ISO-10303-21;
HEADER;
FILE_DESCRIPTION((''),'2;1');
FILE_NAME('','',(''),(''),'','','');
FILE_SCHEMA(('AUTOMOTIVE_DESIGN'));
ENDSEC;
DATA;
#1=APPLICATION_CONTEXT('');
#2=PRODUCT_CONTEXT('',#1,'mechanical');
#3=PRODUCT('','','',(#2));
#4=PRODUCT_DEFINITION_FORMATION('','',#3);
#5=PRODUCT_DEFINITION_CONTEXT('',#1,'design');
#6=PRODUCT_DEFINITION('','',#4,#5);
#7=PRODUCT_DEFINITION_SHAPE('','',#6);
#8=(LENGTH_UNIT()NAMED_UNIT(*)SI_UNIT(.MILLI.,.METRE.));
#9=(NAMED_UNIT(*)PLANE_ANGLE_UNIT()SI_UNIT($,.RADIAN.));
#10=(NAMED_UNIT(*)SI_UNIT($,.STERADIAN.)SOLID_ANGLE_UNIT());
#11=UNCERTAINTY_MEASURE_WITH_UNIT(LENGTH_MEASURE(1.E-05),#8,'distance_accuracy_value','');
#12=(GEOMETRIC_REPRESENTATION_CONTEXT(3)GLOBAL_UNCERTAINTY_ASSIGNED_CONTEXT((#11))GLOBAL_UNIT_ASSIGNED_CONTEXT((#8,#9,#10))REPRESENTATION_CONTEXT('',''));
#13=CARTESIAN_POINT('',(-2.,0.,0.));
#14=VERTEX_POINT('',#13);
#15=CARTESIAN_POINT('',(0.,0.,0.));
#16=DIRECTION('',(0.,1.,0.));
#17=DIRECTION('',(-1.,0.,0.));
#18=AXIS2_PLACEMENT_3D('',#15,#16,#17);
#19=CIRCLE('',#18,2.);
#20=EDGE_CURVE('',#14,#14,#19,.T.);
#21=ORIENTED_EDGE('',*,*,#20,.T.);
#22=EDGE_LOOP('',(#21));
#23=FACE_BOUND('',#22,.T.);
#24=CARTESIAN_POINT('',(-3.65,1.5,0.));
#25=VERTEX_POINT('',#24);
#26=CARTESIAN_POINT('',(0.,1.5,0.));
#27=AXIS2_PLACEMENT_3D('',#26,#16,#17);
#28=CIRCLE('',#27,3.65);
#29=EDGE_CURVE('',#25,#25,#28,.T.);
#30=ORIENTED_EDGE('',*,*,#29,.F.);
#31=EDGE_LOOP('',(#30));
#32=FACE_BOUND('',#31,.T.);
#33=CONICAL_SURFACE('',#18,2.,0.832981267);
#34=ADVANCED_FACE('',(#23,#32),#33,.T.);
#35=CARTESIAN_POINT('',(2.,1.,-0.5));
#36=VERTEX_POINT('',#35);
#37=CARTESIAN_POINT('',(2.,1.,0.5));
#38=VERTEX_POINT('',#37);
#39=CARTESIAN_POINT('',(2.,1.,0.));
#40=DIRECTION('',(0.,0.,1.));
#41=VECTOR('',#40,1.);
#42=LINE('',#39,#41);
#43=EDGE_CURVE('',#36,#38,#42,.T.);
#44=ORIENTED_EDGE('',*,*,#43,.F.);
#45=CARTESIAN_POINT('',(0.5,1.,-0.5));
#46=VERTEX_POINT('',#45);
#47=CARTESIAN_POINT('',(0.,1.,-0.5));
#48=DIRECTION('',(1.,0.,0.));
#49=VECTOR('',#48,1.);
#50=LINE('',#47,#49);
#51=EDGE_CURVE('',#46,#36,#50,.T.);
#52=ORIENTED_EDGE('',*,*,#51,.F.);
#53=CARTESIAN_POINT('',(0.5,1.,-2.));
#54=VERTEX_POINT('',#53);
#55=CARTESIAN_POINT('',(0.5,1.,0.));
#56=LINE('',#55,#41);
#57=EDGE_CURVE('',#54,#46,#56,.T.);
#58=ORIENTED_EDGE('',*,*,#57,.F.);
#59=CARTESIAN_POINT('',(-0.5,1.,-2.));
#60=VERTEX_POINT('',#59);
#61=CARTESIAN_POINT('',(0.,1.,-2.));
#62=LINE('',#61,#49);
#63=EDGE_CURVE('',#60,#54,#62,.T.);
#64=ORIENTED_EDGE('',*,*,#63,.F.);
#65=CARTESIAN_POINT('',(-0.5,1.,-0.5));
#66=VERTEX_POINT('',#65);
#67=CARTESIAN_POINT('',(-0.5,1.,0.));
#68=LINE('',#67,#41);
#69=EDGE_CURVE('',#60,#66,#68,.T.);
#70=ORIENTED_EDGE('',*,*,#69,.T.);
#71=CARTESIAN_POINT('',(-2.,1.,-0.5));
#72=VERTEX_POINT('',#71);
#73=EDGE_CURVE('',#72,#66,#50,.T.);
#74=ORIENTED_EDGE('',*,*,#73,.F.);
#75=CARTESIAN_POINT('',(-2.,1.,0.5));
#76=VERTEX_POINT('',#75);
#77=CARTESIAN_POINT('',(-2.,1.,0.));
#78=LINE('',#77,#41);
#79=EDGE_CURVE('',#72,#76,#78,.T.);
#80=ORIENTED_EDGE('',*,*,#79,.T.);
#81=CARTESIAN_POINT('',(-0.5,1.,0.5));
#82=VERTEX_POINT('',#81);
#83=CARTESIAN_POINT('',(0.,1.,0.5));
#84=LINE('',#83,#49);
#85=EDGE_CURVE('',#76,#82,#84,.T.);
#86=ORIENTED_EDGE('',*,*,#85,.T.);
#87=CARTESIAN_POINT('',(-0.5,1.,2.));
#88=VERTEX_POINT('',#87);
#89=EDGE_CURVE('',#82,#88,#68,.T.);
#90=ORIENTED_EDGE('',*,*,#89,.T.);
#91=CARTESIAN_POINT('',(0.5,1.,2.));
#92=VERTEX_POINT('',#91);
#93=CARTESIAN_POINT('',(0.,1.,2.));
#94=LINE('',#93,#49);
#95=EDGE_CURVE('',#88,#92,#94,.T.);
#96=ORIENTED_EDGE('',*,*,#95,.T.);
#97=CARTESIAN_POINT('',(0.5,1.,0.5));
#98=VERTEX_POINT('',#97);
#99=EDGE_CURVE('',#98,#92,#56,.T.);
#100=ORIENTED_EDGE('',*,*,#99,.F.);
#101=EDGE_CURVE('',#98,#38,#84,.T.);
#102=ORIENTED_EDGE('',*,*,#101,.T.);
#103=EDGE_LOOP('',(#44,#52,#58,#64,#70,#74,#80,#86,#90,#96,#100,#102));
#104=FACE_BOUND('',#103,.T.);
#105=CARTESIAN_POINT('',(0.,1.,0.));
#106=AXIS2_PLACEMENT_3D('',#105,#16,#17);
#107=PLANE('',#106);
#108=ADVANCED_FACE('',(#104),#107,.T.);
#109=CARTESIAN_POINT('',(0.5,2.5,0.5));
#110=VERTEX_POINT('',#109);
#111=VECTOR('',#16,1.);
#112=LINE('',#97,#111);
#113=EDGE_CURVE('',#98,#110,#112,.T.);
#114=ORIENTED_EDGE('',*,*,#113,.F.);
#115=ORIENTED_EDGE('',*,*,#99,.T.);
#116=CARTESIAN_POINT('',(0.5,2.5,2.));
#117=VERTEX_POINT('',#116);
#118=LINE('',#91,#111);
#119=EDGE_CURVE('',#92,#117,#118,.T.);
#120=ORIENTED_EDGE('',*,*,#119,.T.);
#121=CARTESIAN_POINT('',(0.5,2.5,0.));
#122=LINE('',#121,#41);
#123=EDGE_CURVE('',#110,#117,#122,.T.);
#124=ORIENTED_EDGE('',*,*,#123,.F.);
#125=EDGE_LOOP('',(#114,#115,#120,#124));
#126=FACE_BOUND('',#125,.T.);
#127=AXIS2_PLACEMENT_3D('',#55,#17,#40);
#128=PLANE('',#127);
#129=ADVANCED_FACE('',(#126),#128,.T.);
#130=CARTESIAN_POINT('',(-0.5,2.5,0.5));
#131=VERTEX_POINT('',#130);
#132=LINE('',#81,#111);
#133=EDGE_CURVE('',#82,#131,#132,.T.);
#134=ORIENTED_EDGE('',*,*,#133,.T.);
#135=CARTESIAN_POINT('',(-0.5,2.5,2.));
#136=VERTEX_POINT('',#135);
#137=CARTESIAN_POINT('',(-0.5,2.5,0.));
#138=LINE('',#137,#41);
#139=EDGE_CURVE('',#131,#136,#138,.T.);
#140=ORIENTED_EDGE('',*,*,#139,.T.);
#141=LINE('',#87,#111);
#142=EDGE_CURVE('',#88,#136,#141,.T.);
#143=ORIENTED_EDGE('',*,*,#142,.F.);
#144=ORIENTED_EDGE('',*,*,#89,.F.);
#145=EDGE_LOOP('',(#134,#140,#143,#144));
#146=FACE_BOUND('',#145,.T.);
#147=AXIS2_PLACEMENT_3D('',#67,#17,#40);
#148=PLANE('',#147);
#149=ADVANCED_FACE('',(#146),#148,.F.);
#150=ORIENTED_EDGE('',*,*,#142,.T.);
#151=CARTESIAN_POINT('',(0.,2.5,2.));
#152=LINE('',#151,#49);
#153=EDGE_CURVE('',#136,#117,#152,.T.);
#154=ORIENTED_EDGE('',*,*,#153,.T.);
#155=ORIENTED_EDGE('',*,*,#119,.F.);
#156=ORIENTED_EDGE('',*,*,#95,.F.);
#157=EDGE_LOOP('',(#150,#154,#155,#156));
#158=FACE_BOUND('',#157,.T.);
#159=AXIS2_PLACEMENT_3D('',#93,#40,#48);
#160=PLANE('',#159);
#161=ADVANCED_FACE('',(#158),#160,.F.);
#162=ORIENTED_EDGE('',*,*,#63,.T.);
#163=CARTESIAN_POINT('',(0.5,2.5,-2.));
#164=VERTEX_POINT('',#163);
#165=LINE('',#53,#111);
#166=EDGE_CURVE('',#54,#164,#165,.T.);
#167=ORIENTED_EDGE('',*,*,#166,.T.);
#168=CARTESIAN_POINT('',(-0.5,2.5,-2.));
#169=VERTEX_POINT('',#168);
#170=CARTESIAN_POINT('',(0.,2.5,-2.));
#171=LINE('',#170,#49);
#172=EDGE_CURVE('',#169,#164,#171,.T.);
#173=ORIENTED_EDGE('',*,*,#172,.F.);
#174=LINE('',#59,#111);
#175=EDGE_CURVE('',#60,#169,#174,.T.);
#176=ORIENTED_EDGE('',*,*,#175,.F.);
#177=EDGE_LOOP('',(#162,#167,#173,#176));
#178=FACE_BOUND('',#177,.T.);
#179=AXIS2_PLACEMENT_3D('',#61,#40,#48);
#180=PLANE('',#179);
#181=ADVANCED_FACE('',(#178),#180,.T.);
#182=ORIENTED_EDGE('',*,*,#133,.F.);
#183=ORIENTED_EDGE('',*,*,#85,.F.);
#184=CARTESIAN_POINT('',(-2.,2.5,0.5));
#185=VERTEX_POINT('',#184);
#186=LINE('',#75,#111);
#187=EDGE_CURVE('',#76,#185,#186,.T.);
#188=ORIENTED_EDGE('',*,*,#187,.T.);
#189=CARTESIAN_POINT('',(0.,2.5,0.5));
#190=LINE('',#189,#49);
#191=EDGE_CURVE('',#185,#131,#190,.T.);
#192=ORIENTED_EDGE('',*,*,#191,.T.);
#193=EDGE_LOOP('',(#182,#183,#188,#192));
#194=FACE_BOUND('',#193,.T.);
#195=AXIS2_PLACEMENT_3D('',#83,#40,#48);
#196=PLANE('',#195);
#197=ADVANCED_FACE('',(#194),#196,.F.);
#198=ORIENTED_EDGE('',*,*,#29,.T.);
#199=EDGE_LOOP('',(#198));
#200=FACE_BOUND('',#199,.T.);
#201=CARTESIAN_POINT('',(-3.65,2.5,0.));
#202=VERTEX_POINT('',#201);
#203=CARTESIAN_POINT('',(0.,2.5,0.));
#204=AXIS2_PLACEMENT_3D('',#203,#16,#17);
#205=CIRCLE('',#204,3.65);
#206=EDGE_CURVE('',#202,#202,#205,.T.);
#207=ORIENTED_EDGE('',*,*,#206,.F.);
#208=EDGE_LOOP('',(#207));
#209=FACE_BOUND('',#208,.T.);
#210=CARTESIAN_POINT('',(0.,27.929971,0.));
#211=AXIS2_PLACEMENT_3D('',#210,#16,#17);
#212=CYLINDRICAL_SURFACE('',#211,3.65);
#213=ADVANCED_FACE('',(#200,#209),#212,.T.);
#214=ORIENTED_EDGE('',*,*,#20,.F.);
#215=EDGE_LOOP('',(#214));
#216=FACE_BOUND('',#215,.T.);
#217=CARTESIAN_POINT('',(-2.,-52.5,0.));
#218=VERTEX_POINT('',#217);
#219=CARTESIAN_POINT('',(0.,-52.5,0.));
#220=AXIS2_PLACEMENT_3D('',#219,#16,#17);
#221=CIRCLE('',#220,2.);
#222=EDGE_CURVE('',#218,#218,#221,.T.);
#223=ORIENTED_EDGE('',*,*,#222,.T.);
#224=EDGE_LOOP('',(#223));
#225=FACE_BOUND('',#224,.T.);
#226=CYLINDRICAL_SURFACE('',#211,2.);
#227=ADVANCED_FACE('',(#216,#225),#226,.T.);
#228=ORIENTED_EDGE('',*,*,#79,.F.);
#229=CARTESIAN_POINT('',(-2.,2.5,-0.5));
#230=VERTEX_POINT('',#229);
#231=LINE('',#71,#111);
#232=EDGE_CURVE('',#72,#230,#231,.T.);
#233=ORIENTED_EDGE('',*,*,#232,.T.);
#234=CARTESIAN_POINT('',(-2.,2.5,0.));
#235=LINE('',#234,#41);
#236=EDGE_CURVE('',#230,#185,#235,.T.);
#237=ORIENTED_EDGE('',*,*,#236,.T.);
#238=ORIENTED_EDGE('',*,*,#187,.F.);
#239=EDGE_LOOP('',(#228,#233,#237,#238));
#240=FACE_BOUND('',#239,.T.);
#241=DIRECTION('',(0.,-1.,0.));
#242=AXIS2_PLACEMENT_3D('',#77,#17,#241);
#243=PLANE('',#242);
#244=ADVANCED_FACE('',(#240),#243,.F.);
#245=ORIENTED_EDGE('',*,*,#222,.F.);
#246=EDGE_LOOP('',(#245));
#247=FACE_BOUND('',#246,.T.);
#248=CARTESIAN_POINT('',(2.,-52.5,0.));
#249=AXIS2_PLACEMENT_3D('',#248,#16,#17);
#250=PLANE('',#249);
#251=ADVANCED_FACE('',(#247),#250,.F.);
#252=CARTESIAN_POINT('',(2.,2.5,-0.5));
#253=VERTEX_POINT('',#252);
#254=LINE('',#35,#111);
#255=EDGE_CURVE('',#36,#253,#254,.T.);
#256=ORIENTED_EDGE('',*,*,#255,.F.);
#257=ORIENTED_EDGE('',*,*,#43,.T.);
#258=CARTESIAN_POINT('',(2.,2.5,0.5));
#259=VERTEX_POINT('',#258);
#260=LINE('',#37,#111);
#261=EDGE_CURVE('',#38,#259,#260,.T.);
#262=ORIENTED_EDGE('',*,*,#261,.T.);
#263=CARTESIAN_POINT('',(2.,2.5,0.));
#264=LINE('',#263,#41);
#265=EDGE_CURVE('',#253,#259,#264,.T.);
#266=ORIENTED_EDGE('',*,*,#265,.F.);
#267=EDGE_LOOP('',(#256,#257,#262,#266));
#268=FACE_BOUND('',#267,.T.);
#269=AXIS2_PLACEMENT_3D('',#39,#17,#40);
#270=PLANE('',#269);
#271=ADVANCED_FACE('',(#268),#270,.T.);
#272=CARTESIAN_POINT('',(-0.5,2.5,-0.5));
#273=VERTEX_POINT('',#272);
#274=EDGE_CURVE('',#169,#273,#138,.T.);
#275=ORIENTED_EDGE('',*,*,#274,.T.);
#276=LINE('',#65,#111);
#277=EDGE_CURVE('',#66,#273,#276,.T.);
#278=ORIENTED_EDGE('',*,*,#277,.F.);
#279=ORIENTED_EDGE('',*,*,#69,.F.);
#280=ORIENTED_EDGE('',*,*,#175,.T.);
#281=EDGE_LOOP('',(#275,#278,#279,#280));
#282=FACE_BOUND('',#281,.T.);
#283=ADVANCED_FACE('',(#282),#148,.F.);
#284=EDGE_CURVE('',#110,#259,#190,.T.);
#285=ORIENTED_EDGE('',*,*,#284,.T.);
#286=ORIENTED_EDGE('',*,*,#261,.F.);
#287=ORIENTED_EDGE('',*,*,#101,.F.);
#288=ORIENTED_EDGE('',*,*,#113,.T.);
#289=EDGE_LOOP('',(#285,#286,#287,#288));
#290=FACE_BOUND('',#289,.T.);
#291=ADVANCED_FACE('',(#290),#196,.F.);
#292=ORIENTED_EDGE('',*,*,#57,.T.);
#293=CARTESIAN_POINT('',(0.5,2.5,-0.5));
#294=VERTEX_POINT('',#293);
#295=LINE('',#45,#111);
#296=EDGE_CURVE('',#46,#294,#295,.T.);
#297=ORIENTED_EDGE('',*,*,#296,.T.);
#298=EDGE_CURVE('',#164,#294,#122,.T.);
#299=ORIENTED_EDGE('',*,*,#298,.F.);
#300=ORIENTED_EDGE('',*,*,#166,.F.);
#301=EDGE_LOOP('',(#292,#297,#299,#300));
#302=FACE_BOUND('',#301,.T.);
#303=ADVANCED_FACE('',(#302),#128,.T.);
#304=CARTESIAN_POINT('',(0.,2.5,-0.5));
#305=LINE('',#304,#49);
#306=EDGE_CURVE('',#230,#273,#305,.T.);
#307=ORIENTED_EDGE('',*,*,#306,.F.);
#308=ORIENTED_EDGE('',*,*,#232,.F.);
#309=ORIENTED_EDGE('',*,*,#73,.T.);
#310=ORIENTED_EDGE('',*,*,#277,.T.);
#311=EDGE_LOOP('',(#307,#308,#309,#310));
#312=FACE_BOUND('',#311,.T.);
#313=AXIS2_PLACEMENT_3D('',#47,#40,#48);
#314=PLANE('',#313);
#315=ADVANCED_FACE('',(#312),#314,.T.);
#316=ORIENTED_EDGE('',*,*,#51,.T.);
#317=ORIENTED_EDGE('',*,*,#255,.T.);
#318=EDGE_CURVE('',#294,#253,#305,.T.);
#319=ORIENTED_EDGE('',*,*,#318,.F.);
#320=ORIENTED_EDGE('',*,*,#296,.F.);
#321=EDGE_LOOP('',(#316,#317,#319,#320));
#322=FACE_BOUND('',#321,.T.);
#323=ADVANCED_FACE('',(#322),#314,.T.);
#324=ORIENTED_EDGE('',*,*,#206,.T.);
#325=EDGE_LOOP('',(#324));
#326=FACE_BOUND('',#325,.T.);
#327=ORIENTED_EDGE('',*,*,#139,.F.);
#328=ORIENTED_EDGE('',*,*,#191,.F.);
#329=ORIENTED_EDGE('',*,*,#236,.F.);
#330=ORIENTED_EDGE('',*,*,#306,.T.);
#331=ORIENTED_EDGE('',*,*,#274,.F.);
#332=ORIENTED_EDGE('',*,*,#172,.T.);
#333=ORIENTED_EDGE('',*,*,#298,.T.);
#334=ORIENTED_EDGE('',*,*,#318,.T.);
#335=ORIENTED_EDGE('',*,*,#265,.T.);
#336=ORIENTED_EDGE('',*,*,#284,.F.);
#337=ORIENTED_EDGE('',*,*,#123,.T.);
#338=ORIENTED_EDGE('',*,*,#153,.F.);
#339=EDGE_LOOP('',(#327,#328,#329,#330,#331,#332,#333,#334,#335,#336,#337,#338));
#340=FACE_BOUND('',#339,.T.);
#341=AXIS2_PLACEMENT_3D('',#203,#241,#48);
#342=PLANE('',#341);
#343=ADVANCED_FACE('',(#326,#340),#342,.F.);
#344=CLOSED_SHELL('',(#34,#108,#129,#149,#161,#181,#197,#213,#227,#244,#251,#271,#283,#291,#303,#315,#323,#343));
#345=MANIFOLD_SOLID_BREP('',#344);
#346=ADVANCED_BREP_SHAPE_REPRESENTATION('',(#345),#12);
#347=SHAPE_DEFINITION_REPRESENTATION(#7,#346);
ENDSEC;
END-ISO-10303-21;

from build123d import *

# Parameters (mm, degrees)
SKETCH3_W          = 1.5
SKETCH3_H          = 1
SKETCH3_W_2        = 1
SKETCH3_H_2        = 1.5
CUT_EXTRUDE1_DEPTH = 1.5


with BuildPart() as part:
    # Sketch2 → Revolve1 (revolve)
    with BuildSketch(Plane.XY, mode=Mode.PRIVATE) as revolve1_sk:
        Polygon((0, 2.5), (3.65, 2.5), (3.65, 1.5), (2, 0), (2, -52.5), (0, -52.5), align=None)
    revolve(revolve1_sk.sketch.rotate(Axis((0, 27.929971315, 0), (0, -1, 0)), 180), axis=Axis((0, 27.929971315, 0), (0, -1, 0)))

    # Sketch3 → Cut-Extrude1 (cut)
    with BuildSketch(Plane(origin=(0, 2.5, 0), x_dir=(1, 0, 0), z_dir=(0, 1, 0))):
        with Locations((1.25, 0)):
            Rectangle(SKETCH3_W, SKETCH3_H)
        with Locations((0, 1.25)):
            Rectangle(SKETCH3_W_2, SKETCH3_H_2)
        with Locations((-1.25, 0)):
            Rectangle(SKETCH3_W, SKETCH3_H)
        Rectangle(SKETCH3_W_2, SKETCH3_H)
        with Locations((0, -1.25)):
            Rectangle(SKETCH3_W_2, SKETCH3_H_2)
    extrude(amount=-CUT_EXTRUDE1_DEPTH, mode=Mode.SUBTRACT)


solid = part.part
